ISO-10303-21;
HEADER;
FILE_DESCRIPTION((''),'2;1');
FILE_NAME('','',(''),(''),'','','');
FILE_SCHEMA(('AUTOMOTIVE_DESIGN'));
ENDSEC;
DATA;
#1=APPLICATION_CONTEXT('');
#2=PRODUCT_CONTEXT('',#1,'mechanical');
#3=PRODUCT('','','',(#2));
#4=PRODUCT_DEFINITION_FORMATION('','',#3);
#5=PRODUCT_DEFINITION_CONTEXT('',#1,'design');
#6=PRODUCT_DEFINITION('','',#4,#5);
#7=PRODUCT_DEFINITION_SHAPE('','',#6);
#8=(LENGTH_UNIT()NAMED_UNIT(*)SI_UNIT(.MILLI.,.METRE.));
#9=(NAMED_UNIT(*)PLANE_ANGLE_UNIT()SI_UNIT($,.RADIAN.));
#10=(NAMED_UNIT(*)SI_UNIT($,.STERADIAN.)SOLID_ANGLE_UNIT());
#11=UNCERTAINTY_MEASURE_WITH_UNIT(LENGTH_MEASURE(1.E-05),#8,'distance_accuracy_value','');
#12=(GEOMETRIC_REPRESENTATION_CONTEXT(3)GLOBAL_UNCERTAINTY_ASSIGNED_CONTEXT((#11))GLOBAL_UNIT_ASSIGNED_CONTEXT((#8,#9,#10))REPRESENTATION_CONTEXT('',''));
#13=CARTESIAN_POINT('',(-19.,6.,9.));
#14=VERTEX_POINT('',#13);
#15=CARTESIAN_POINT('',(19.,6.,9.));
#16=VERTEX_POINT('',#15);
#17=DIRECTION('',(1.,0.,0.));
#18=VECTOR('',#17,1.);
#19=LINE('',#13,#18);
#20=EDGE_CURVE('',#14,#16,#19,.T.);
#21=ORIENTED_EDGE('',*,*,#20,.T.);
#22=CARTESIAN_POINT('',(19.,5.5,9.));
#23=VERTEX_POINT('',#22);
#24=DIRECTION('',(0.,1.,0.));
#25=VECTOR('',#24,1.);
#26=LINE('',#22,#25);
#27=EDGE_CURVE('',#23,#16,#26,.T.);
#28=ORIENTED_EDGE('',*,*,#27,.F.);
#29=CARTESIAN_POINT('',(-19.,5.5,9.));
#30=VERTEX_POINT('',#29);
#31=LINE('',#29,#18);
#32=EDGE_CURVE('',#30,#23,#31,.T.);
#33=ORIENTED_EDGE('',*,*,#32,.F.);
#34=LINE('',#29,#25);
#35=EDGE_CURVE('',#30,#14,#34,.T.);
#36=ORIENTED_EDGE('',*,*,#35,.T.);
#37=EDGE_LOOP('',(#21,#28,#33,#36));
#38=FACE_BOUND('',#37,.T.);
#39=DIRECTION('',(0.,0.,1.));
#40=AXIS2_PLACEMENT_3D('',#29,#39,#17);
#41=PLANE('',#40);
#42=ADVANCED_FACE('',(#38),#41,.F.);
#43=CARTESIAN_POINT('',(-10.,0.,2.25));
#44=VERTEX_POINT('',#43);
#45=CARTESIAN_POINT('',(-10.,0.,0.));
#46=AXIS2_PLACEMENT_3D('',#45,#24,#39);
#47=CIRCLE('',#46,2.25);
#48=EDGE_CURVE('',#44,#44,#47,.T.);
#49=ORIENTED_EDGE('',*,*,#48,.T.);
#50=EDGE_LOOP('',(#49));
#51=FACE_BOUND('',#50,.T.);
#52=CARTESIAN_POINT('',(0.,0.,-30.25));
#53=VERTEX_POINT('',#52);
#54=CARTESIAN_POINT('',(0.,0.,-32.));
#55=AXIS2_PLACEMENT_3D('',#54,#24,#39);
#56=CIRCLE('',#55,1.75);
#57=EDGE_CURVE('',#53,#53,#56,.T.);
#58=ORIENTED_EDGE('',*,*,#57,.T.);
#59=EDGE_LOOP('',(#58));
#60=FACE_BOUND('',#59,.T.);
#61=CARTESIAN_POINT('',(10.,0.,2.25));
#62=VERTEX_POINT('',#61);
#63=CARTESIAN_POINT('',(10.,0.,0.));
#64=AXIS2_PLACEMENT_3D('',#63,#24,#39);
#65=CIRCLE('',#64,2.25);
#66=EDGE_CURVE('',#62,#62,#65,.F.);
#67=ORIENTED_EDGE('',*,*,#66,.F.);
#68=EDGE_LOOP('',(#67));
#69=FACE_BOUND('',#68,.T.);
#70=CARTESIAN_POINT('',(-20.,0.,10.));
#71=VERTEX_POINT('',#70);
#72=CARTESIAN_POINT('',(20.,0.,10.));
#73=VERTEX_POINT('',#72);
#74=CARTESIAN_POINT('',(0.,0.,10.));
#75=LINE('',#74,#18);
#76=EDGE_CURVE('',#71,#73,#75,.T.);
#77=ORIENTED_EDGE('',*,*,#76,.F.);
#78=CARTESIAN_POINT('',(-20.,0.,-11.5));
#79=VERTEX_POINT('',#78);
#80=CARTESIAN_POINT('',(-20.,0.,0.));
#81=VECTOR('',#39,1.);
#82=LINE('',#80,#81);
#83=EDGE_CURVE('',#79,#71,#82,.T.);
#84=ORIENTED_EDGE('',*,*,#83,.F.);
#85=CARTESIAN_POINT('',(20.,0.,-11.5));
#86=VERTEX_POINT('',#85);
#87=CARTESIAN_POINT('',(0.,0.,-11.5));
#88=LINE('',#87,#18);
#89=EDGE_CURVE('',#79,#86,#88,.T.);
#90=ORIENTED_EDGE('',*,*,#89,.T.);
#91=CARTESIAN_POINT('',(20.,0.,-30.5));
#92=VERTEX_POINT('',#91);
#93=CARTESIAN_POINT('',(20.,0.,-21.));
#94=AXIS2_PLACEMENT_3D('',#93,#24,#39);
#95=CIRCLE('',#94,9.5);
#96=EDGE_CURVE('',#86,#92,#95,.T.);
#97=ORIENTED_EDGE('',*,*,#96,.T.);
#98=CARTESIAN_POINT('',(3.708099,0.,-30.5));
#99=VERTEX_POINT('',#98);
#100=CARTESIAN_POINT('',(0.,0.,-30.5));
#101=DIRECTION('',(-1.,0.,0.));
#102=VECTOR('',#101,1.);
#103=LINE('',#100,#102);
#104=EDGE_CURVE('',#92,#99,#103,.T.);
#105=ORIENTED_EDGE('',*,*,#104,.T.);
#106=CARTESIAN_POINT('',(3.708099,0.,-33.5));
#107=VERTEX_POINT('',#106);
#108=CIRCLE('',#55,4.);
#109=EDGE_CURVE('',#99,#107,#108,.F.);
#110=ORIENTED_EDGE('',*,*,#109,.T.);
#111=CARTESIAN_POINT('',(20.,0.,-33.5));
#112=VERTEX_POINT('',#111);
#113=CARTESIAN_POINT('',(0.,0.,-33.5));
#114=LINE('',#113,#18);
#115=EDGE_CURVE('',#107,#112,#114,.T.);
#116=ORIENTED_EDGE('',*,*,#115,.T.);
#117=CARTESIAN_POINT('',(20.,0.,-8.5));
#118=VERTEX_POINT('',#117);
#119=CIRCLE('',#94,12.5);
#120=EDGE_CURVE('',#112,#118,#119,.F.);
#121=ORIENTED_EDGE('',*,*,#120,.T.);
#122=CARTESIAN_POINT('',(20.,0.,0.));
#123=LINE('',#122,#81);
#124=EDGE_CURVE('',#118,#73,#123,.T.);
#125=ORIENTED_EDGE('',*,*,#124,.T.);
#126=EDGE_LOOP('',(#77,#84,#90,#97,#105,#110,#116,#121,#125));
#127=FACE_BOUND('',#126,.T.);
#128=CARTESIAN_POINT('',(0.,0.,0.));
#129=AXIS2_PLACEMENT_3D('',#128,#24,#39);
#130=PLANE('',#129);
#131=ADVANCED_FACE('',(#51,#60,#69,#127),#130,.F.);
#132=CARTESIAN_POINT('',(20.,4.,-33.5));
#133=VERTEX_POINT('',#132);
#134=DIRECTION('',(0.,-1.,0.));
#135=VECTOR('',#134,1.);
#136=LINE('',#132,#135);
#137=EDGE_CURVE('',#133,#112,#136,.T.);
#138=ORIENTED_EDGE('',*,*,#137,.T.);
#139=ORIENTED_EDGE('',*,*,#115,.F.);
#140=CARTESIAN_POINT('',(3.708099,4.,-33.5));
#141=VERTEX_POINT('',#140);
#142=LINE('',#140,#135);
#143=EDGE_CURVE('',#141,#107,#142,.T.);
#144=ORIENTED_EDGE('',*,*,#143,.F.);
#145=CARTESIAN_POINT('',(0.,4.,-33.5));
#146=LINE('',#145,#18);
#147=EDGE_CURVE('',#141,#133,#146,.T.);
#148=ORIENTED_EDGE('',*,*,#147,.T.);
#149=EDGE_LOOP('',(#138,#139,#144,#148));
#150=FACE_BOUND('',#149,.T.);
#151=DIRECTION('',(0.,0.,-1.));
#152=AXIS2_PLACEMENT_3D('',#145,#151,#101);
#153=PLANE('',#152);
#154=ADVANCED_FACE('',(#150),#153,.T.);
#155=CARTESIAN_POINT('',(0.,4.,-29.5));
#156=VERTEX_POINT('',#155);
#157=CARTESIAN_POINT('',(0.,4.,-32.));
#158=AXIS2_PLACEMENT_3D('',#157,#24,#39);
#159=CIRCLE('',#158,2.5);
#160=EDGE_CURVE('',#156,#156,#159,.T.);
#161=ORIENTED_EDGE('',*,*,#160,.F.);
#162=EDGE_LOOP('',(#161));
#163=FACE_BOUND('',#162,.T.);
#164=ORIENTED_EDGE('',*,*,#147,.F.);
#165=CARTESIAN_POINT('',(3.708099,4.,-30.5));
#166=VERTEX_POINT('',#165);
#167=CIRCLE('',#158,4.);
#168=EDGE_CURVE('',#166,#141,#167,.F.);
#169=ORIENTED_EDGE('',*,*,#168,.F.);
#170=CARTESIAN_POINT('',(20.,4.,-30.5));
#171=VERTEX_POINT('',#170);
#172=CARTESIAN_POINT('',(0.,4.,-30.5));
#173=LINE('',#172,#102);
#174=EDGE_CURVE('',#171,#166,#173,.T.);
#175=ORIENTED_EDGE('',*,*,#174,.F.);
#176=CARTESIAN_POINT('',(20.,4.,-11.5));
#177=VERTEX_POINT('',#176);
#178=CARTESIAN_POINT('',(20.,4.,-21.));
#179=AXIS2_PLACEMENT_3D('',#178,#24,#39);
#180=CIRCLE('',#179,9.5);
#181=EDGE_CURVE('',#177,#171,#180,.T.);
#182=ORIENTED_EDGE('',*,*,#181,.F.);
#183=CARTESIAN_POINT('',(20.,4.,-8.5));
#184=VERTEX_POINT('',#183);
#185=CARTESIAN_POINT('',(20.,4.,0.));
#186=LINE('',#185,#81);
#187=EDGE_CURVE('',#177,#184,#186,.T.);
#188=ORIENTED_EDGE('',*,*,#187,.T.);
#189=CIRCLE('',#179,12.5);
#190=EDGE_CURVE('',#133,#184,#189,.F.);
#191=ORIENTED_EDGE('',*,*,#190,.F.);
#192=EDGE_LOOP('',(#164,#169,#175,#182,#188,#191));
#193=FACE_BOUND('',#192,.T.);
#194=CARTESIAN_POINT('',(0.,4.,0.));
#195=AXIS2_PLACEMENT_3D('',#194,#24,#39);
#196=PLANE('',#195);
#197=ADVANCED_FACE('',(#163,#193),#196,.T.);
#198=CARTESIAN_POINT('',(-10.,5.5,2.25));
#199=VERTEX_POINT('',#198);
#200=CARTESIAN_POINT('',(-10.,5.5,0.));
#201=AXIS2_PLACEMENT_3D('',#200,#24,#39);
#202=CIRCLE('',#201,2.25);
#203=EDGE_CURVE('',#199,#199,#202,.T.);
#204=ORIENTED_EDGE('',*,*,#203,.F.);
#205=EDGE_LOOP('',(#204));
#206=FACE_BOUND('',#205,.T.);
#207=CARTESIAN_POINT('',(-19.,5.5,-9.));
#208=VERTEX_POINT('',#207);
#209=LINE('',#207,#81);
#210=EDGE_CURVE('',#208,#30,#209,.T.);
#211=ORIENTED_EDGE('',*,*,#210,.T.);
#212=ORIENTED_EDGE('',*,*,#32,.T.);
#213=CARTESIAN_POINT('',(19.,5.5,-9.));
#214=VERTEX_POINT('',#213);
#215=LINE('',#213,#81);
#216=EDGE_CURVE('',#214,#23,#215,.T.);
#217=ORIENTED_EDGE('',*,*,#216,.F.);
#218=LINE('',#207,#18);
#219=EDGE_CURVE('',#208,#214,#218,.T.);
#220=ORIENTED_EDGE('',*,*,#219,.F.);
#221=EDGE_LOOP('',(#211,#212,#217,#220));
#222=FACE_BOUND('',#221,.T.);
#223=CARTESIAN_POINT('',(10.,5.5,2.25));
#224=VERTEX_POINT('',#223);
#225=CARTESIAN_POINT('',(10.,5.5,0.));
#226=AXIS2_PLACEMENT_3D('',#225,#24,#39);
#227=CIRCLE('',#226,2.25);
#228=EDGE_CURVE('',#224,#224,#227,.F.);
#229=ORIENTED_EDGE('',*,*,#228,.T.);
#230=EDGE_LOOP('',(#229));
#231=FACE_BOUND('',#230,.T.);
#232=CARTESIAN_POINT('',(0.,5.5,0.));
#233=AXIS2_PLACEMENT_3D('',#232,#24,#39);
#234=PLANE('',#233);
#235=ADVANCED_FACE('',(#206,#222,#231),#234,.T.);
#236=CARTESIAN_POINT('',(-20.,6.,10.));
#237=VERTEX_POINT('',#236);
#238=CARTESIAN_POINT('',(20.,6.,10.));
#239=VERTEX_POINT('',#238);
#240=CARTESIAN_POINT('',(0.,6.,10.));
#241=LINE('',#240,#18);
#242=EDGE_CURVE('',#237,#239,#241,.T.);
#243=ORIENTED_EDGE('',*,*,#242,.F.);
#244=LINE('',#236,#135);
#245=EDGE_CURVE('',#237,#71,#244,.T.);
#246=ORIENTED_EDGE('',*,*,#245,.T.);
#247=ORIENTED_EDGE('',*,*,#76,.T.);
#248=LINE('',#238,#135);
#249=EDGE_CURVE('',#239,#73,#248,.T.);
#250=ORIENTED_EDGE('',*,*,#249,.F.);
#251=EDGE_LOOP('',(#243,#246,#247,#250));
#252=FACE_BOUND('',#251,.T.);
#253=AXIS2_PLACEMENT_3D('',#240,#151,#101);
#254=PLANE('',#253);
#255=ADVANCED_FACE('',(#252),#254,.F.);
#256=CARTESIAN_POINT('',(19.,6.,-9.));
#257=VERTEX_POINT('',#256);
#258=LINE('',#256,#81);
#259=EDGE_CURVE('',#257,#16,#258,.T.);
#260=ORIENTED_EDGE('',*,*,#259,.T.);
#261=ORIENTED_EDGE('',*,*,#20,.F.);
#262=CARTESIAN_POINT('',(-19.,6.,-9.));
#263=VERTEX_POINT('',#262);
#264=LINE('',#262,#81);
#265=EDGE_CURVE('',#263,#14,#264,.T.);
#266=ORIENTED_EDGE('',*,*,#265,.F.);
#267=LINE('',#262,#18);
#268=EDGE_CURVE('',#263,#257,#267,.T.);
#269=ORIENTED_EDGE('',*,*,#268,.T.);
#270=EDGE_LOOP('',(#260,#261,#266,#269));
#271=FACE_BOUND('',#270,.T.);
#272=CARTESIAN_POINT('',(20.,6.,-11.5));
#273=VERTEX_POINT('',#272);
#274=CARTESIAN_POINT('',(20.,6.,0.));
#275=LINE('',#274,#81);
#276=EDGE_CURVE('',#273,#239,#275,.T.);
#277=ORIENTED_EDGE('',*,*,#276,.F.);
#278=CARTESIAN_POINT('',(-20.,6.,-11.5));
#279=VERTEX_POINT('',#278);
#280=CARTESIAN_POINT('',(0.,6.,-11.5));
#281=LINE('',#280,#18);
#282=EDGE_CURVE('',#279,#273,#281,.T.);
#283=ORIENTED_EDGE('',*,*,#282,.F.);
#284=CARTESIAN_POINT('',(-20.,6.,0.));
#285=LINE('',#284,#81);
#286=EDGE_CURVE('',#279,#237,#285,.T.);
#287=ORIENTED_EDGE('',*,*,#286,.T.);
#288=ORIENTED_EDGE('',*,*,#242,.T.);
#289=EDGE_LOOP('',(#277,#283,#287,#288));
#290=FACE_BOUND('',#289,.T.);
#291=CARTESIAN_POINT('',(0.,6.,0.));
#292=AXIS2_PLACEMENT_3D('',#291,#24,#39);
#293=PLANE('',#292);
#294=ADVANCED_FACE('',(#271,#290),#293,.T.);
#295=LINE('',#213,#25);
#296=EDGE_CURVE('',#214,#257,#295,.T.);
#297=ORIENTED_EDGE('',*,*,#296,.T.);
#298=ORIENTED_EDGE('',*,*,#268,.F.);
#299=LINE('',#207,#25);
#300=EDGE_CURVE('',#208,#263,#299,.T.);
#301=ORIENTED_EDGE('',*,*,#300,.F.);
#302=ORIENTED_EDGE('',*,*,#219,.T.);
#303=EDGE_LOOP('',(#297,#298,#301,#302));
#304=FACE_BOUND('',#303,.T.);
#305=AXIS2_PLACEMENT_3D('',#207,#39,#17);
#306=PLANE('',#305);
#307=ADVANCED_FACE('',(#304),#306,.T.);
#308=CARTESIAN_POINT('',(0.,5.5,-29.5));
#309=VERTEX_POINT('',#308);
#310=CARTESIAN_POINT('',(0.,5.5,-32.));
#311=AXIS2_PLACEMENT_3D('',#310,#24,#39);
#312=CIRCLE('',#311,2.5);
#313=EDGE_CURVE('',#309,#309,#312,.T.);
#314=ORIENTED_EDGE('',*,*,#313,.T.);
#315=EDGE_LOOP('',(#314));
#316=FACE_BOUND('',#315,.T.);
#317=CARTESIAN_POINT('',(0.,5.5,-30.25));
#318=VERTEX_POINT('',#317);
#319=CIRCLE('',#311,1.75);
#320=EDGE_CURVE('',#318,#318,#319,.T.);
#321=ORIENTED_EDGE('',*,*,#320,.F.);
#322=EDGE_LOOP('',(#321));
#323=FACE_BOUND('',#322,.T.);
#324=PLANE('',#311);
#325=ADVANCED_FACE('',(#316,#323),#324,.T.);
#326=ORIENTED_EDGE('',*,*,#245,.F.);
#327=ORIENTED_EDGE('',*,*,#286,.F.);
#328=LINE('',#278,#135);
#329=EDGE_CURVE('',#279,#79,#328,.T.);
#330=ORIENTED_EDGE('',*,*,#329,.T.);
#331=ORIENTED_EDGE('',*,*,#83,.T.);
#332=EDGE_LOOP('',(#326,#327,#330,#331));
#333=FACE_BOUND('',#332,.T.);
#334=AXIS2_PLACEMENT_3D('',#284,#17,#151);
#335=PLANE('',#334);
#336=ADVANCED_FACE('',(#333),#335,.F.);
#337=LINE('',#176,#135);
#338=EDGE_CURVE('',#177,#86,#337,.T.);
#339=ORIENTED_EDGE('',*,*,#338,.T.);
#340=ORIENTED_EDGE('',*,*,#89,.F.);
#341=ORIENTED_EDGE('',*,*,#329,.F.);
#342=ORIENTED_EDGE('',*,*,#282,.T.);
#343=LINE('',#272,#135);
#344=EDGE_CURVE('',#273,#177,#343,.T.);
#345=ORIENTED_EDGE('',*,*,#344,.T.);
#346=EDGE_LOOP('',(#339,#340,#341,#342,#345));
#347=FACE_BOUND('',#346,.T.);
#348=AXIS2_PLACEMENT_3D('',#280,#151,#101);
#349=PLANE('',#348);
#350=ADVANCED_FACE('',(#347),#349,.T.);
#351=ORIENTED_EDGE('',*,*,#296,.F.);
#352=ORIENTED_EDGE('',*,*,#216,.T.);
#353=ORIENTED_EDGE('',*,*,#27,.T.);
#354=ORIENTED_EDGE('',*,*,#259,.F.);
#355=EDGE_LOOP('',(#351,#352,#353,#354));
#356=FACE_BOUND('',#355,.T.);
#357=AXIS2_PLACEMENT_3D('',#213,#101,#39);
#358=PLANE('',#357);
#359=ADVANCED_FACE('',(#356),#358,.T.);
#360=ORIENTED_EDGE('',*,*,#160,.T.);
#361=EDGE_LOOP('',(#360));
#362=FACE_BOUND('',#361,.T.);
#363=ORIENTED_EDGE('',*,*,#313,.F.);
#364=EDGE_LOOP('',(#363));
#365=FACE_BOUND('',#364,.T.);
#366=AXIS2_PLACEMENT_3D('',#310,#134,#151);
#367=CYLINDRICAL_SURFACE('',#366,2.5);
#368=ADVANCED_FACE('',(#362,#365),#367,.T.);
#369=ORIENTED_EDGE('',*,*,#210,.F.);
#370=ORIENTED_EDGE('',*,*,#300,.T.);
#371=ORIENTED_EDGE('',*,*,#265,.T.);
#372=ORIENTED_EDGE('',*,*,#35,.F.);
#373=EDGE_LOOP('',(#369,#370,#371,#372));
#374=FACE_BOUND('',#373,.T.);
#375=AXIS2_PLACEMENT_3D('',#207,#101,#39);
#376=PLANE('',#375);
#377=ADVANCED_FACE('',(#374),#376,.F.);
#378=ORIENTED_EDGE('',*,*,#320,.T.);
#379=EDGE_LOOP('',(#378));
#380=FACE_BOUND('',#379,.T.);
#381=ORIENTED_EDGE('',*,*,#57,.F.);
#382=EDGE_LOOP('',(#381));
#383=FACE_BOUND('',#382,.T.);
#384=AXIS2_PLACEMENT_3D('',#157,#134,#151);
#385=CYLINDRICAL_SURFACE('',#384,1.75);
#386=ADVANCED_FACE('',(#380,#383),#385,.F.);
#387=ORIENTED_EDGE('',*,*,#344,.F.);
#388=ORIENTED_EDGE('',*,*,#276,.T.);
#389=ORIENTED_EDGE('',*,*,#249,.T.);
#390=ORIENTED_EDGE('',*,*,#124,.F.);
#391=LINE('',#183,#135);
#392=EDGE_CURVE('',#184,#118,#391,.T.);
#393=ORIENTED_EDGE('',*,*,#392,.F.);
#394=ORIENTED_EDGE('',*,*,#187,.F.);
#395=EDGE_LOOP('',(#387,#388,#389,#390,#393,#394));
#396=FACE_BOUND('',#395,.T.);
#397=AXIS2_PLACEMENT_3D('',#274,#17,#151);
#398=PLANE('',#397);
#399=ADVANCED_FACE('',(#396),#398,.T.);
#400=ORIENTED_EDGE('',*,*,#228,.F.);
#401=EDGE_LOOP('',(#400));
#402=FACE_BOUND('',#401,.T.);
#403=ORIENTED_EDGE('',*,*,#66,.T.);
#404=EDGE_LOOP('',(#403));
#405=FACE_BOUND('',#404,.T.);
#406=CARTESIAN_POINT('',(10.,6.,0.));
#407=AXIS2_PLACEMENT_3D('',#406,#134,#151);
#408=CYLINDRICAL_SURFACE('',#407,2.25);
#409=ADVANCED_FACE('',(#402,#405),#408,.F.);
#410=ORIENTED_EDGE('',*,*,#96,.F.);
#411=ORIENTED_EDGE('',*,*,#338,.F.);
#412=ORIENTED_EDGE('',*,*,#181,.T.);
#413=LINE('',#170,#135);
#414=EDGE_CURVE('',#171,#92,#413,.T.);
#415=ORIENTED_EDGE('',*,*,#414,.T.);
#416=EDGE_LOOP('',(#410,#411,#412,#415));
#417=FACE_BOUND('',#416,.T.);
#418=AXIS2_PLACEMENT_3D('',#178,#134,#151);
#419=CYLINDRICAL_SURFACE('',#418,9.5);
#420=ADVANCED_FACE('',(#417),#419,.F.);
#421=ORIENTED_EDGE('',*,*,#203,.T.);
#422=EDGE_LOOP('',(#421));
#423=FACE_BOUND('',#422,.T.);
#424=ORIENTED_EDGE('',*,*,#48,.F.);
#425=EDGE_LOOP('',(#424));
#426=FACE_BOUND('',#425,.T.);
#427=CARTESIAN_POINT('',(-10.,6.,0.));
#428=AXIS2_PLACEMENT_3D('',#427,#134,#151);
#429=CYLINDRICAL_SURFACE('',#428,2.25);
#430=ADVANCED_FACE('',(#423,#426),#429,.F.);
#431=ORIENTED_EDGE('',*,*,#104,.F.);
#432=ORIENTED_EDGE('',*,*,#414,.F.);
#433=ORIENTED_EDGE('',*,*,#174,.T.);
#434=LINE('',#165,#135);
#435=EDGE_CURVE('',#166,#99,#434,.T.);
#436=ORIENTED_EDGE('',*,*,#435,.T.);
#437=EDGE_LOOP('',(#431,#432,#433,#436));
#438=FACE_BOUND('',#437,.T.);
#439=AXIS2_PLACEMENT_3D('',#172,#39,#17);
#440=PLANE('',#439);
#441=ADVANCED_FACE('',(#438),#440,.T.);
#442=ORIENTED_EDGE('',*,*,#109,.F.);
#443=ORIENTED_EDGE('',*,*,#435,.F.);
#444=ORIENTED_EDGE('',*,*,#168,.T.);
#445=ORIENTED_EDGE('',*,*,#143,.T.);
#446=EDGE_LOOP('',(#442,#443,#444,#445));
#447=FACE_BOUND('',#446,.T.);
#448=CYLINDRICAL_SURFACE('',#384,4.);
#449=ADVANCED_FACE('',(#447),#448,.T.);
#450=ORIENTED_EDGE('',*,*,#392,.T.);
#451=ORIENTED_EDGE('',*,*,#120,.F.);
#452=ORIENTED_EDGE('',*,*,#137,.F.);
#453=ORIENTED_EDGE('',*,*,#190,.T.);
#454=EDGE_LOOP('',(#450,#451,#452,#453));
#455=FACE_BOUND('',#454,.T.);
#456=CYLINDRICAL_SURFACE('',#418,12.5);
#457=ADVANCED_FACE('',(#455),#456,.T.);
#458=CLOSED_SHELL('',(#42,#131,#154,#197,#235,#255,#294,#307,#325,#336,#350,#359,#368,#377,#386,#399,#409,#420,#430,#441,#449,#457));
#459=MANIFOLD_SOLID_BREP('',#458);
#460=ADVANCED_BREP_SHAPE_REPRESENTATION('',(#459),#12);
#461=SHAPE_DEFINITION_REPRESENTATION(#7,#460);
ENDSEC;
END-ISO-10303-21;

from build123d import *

# Parameters (mm, degrees)
SKETCH1_W           = 40
SKETCH1_H           = 21.5
SKETCH1_R           = 2.25
BOSS_EXTRUDE3_DEPTH = 6
SKETCH1_5_R         = 1.75
BOSS_EXTRUDE4_DEPTH = 4
SKETCH2_R           = 2.5
SKETCH2_R_2         = 1.75
BOSS_EXTRUDE5_DEPTH = 1.5
SKETCH3_W           = 38
SKETCH3_H           = 18
CUT_EXTRUDE1_DEPTH  = 0.5


with BuildPart() as part:
    # Sketch1 → Boss-Extrude3 (new body)
    with BuildSketch(Plane(origin=(0, 0, 0), x_dir=(1, 0, 0), z_dir=(0, 1, 0))):
        with Locations((0, 0.75)):
            Rectangle(SKETCH1_W, SKETCH1_H)
        with Locations((10, 0)):
            Circle(SKETCH1_R, mode=Mode.SUBTRACT)
        with Locations((-10, 0)):
            Circle(SKETCH1_R, mode=Mode.SUBTRACT)
    extrude(amount=BOSS_EXTRUDE3_DEPTH)

    # Sketch1<5> → Boss-Extrude4 (add)
    with BuildSketch(Plane(origin=(0, 0, 0), x_dir=(1, 0, 0), z_dir=(0, 1, 0))):
        with BuildLine():
            Line((20, 11.5), (20, 10))
            Line((20, 10), (20, 8.5))
            ThreePointArc((20, 8.5), (32.5, 21), (20, 33.5))
            Line((20, 33.5), (3.708099244, 33.5))
            ThreePointArc((3.708099244, 33.5), (-4, 32), (3.708099244, 30.5))
            Line((3.708099244, 30.5), (20, 30.5))
            ThreePointArc((20, 30.5), (29.5, 21), (20, 11.5))
        make_face()
        with Locations((0, 32)):
            Circle(SKETCH1_5_R, mode=Mode.SUBTRACT)
    extrude(amount=BOSS_EXTRUDE4_DEPTH)

    # Sketch2 → Boss-Extrude5 (add)
    with BuildSketch(Plane(origin=(0, 4, 0), x_dir=(1, 0, 0), z_dir=(0, 1, 0))):
        with Locations((0, 32)):
            Circle(SKETCH2_R)
        with Locations((0, 32)):
            Circle(SKETCH2_R_2, mode=Mode.SUBTRACT)
    extrude(amount=BOSS_EXTRUDE5_DEPTH)

    # Sketch3 → Cut-Extrude1 (cut)
    with BuildSketch(Plane(origin=(0, 6, 0), x_dir=(1, 0, 0), z_dir=(0, 1, 0))):
        Rectangle(SKETCH3_W, SKETCH3_H)
    extrude(amount=-CUT_EXTRUDE1_DEPTH, mode=Mode.SUBTRACT)


solid = part.part
